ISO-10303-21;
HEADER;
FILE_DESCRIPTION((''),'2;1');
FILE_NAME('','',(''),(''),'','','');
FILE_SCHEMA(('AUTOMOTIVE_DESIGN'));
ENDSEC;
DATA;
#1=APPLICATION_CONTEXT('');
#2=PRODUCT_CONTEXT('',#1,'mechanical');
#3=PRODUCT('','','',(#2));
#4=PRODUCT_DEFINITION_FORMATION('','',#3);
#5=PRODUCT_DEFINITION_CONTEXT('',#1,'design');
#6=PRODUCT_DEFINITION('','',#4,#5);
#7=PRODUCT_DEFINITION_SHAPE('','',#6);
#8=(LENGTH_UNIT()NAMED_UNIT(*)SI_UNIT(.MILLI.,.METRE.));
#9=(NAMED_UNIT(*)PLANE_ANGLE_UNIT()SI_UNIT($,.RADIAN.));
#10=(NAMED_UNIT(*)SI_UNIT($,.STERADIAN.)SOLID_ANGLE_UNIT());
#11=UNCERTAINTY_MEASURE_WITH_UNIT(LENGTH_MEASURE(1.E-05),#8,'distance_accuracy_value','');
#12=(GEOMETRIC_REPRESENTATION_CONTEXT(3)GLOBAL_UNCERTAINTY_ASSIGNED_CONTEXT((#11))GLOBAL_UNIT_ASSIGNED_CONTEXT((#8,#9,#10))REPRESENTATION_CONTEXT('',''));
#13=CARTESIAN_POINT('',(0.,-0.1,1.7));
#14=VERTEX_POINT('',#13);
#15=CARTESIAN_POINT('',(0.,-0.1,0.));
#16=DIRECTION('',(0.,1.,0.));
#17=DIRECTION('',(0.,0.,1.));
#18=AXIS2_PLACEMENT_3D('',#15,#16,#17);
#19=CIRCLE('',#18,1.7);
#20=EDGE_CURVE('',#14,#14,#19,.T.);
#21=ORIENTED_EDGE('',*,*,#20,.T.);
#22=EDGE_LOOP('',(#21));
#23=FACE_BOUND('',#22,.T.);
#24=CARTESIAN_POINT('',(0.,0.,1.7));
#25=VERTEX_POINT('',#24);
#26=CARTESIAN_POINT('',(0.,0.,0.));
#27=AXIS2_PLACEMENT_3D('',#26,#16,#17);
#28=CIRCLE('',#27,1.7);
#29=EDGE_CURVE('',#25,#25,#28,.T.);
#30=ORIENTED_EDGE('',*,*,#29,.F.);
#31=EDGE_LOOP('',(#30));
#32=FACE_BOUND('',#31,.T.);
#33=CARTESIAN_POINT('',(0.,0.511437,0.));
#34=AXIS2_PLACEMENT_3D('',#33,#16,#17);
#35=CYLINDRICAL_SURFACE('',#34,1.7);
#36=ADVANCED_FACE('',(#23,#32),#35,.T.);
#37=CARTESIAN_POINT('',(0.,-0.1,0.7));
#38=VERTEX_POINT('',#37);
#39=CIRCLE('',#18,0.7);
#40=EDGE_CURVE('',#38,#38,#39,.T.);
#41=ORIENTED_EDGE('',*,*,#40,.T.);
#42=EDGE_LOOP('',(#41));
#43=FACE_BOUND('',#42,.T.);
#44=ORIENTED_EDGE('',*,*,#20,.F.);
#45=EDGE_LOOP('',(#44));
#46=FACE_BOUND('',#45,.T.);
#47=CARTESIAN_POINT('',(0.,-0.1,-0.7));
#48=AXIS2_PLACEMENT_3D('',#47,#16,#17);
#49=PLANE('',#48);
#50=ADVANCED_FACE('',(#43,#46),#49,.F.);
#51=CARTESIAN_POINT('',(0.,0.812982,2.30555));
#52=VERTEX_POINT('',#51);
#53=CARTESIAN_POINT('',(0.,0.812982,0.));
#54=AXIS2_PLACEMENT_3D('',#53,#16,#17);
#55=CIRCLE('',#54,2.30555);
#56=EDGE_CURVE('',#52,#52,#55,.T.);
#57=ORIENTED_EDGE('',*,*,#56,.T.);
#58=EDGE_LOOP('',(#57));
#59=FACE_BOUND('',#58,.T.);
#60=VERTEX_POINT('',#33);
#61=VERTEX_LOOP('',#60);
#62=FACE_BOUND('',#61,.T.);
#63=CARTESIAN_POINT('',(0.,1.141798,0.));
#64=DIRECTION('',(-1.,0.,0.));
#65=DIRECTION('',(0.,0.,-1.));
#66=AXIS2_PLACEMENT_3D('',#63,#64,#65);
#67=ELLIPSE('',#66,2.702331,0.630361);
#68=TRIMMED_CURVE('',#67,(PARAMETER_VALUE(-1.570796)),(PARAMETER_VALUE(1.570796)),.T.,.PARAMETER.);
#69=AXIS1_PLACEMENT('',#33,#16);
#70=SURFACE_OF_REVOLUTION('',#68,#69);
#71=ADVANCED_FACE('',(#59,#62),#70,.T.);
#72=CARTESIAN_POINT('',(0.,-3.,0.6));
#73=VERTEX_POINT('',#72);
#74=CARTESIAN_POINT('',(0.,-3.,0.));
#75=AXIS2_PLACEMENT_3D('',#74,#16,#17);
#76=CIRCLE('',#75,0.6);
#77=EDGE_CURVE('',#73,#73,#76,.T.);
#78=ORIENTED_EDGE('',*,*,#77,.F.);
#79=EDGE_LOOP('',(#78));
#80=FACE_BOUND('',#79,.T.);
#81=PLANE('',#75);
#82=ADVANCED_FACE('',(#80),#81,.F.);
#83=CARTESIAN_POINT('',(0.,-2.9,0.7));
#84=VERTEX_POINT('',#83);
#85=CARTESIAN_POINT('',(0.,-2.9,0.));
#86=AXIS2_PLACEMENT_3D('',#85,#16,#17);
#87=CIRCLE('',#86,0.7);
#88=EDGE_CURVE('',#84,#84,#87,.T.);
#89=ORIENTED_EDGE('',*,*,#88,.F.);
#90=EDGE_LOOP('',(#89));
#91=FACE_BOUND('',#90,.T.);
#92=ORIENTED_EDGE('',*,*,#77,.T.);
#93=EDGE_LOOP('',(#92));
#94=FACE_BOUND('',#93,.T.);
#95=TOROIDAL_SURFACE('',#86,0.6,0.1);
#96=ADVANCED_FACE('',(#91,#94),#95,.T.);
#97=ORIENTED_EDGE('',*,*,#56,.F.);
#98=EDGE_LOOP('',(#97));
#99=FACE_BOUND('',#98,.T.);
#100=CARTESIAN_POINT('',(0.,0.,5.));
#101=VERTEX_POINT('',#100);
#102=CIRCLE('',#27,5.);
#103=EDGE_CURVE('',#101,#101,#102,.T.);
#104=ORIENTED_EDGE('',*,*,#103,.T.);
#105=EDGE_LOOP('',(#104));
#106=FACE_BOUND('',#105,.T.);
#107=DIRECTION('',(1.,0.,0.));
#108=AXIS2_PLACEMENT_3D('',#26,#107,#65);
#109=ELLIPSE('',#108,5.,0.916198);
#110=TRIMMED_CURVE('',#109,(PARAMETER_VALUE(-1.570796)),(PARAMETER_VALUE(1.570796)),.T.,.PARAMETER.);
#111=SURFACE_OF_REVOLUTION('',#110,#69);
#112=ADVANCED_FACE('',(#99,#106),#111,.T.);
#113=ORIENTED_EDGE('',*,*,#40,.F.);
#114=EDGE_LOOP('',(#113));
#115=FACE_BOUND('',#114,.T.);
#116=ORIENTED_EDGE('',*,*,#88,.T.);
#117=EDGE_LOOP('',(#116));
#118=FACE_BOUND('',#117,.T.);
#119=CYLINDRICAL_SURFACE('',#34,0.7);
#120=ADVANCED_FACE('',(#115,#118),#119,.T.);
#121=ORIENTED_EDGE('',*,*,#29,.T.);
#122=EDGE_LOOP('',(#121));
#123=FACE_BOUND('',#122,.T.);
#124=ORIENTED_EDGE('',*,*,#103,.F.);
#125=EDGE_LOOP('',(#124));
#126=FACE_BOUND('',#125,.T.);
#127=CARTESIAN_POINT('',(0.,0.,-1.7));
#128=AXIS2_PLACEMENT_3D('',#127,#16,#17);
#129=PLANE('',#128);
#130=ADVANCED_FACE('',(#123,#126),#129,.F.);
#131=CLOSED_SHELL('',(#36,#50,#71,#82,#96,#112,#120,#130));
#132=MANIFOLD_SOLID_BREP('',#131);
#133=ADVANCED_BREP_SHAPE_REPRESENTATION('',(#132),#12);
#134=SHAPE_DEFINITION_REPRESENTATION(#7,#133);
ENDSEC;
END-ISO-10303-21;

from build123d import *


with BuildPart() as part:
    # Sketch1 → Revolve1 (revolve)
    with BuildSketch(Plane(origin=(0, 0, 0), x_dir=(0, 0, -1), z_dir=(1, 0, 0))):
        with BuildLine():
            Line((1.7, 0), (5, 0))
            add(Edge.make_bspline(
                [(5, 0), (5, 0.55641384), (2.305550306, 0.81298186)],
                knots=[0, 0, 0, 1.09155054, 1.09155054, 1.09155054], degree=2, weights=[1, 0.85472512, 1]))
            add(Edge.make_bspline(
                [(0, 0.511437148), (1.515183128, 0.511437148), (2.305550306, 0.81298186)],
                knots=[4.71238898, 4.71238898, 4.71238898, 5.734423248, 5.734423248, 5.734423248], degree=2, weights=[1, 0.872247515, 1]))
            Line((0, 0.511437148), (0, -3))
            Line((0, -3), (0.6, -3))
            ThreePointArc((0.6, -3), (0.670710678, -2.970710678), (0.7, -2.9))
            Line((0.7, -2.9), (0.7, -0.1))
            Line((0.7, -0.1), (1.7, -0.1))
            Line((1.7, -0.1), (1.7, 0))
        make_face()
    revolve(axis=Axis((0, 0.511437148, 0), (0, -1, 0)))


solid = part.part
